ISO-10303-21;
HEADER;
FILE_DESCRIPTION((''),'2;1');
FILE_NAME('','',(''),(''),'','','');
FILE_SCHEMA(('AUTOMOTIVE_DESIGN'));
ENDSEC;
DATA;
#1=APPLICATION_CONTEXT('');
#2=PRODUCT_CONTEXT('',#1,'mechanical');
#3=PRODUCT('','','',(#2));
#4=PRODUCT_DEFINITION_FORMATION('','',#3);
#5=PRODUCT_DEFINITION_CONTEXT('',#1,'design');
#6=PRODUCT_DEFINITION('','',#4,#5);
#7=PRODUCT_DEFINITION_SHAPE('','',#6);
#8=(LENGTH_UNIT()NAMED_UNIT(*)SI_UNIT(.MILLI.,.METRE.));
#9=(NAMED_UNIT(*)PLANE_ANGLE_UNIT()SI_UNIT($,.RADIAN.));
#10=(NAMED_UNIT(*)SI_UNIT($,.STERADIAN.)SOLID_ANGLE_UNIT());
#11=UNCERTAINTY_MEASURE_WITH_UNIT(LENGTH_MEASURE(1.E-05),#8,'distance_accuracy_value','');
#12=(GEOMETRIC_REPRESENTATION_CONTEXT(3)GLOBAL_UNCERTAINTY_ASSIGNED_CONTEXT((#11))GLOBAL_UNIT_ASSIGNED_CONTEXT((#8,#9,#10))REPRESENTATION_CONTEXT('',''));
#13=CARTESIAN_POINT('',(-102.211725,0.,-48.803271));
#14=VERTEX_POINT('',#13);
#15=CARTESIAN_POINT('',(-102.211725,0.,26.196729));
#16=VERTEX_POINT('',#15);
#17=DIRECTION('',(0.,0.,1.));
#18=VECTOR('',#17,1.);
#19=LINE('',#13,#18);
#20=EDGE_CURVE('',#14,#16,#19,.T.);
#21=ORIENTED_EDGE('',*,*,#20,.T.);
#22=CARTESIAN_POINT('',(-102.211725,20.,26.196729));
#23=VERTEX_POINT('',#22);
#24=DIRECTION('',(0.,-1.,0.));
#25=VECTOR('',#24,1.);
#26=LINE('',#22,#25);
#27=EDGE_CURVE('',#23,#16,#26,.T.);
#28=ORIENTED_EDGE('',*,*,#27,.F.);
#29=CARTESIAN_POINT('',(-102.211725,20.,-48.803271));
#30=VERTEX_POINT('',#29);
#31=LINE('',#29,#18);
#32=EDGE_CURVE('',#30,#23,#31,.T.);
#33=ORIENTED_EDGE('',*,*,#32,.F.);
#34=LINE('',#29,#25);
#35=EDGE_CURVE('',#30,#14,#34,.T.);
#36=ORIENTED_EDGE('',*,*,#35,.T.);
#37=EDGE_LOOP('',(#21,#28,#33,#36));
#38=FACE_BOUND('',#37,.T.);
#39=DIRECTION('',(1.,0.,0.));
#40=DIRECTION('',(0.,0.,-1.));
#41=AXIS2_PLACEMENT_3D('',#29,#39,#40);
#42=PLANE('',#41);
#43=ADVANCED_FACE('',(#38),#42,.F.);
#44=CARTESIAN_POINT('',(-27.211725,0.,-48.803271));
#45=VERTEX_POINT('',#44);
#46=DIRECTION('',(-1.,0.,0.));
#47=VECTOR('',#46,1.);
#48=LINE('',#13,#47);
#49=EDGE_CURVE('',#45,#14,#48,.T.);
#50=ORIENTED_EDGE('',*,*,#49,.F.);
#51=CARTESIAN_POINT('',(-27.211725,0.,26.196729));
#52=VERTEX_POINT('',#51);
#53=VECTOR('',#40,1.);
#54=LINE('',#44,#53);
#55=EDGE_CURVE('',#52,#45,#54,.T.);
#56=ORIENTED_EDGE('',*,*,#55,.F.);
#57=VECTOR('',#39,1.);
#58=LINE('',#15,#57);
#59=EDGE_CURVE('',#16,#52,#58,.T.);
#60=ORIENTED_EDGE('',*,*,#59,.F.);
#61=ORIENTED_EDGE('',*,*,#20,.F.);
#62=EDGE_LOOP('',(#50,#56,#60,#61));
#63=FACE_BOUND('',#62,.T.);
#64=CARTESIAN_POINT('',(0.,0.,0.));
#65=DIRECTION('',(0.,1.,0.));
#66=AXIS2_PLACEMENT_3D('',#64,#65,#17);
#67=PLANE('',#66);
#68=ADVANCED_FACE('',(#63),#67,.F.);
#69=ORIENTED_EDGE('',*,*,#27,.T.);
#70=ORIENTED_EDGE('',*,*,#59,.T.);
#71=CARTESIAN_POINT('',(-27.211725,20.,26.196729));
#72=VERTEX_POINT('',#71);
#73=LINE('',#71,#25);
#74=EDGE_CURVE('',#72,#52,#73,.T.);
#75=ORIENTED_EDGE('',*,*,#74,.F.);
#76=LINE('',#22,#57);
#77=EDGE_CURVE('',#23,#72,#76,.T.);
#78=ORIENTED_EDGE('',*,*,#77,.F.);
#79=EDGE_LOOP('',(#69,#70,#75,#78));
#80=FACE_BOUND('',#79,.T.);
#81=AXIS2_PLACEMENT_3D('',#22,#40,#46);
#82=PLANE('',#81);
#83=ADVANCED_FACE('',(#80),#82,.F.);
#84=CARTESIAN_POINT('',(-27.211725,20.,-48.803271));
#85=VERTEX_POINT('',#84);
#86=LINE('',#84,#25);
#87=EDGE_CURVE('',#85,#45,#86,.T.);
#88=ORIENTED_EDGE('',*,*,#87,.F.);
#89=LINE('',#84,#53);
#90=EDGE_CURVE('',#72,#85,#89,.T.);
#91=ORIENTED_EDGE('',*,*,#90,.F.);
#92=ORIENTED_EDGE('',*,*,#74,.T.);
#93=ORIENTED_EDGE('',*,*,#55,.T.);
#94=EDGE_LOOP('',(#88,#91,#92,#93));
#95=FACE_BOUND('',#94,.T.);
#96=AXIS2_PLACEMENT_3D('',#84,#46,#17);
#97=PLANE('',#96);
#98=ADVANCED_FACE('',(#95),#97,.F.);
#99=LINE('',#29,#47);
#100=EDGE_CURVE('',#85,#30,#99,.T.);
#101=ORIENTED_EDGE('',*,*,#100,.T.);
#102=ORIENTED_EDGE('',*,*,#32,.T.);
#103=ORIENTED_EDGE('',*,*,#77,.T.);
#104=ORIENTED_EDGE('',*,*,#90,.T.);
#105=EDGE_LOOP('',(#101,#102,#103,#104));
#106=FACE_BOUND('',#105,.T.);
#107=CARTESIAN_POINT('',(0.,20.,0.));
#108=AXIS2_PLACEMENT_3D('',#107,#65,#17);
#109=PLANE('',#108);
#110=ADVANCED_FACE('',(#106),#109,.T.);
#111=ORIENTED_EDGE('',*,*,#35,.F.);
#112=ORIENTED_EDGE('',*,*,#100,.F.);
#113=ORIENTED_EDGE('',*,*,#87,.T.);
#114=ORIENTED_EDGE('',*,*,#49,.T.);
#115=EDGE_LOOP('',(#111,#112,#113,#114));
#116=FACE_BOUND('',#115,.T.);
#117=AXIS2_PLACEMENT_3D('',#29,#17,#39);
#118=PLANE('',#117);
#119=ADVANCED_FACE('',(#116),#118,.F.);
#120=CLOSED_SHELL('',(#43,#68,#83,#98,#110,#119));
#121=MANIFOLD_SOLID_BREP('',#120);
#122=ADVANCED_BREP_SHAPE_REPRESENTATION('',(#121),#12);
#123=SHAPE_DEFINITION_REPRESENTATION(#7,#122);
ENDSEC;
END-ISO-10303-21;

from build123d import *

# Parameters (mm, degrees)
SKETCH1_W           = 75
SKETCH1_H           = 75
BOSS_EXTRUDE1_DEPTH = 20


with BuildPart() as part:
    # Sketch1 → Boss-Extrude1 (new body)
    with BuildSketch(Plane(origin=(0, 0, 0), x_dir=(1, 0, 0), z_dir=(0, 1, 0))):
        with Locations((-64.711724527, 11.303270574)):
            Rectangle(SKETCH1_W, SKETCH1_H)
    extrude(amount=BOSS_EXTRUDE1_DEPTH)


solid = part.part
